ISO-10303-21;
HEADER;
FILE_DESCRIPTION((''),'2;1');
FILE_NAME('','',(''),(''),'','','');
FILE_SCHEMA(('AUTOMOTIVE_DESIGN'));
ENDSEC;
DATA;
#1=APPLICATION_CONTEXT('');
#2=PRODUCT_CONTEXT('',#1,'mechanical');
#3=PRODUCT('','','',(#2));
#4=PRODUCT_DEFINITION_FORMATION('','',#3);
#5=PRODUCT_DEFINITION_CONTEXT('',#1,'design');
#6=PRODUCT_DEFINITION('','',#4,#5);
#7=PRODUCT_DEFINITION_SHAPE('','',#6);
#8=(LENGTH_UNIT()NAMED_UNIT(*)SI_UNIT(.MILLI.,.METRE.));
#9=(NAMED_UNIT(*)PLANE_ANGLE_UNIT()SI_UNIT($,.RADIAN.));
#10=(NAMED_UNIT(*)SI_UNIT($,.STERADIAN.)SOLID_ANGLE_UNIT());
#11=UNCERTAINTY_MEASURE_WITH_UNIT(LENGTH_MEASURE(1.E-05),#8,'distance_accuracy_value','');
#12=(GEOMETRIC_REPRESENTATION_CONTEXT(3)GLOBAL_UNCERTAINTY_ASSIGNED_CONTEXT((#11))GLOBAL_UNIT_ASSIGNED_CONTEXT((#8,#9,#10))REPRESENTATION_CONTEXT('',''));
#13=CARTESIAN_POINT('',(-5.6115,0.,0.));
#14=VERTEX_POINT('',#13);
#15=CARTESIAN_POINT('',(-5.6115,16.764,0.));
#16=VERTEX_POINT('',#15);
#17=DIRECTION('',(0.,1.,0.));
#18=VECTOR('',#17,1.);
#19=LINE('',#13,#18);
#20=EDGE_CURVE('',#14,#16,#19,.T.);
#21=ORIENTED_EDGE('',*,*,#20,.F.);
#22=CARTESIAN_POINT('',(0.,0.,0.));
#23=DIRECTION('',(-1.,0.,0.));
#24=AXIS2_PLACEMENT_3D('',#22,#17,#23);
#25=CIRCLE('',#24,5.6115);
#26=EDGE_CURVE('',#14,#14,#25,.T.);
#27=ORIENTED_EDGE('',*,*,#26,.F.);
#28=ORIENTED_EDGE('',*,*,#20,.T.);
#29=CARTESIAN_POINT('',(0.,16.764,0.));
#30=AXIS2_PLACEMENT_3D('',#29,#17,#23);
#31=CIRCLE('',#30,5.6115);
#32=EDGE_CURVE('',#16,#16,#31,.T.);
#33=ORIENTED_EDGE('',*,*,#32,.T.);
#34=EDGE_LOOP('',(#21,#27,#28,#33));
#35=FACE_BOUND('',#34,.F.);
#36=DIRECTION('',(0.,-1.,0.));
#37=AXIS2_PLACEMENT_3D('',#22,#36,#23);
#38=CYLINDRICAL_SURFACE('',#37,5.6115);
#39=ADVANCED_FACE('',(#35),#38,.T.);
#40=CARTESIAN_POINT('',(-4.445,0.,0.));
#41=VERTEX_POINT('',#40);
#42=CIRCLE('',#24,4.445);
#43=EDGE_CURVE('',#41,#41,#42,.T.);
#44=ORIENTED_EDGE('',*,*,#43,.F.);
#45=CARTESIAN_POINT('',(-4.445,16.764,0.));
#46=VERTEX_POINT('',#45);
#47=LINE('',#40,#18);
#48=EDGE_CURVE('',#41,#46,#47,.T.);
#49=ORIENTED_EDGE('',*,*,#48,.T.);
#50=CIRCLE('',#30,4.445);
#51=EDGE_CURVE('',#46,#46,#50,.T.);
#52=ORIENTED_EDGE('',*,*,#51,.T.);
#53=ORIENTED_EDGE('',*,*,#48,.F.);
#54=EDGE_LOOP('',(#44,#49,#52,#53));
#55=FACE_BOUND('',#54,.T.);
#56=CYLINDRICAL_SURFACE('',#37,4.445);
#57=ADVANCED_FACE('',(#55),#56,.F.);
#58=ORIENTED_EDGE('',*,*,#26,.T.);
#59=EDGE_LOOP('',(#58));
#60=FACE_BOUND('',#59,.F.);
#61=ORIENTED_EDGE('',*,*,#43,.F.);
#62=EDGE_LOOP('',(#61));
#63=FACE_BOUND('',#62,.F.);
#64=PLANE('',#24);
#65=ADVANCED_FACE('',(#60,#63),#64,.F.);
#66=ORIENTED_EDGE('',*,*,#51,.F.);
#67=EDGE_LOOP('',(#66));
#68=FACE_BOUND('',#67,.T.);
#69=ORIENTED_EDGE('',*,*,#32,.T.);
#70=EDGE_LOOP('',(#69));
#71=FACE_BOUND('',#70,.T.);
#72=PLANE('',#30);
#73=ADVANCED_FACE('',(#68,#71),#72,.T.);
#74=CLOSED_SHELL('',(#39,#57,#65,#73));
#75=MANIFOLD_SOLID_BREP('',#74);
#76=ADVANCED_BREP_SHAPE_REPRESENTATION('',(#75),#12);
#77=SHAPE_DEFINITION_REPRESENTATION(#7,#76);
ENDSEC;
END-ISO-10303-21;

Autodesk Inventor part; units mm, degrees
ref_plane "YZ Plane" through (0, 0, 0) normal (1, 0, 0) x (0, 1, 0)
ref_plane "XZ Plane" through (0, 0, 0) normal (0, 1, 0) x (-1, 0, 0)
ref_plane "XY Plane" through (0, 0, 0) normal (0, 0, 1) x (1, 0, 0)
sketch "Sketch1" plane through (0, 0, 0) normal (0, 1, 0) x (-1, 0, 0)
  circle A0 centre (0, 0) radius 5.6115
  circle A1 centre (0, 0) radius 4.445
  dimension "d0" = 11.223
  dimension "d1" = 8.89
extrude "Extrusion1" add sketch "Sketch1" along normal blind 16.764
sketch "Sketch2" plane through (0, 0, 0) normal (0, -1, 0) x (1, 0, 0)
  point P0 (0, 0)
sketch "Sketch3" plane through (0, 0, 0) normal (0, -1, 0) x (1, 0, 0)
  circle A0 centre (0, 0) radius 5.6115 projected
  circle A1 centre (0, 0) radius 5.6115
  circle A2 centre (0, 0) radius 4.445
properties part number "DPLX_P012_Rubber_Insert_Transformer"
